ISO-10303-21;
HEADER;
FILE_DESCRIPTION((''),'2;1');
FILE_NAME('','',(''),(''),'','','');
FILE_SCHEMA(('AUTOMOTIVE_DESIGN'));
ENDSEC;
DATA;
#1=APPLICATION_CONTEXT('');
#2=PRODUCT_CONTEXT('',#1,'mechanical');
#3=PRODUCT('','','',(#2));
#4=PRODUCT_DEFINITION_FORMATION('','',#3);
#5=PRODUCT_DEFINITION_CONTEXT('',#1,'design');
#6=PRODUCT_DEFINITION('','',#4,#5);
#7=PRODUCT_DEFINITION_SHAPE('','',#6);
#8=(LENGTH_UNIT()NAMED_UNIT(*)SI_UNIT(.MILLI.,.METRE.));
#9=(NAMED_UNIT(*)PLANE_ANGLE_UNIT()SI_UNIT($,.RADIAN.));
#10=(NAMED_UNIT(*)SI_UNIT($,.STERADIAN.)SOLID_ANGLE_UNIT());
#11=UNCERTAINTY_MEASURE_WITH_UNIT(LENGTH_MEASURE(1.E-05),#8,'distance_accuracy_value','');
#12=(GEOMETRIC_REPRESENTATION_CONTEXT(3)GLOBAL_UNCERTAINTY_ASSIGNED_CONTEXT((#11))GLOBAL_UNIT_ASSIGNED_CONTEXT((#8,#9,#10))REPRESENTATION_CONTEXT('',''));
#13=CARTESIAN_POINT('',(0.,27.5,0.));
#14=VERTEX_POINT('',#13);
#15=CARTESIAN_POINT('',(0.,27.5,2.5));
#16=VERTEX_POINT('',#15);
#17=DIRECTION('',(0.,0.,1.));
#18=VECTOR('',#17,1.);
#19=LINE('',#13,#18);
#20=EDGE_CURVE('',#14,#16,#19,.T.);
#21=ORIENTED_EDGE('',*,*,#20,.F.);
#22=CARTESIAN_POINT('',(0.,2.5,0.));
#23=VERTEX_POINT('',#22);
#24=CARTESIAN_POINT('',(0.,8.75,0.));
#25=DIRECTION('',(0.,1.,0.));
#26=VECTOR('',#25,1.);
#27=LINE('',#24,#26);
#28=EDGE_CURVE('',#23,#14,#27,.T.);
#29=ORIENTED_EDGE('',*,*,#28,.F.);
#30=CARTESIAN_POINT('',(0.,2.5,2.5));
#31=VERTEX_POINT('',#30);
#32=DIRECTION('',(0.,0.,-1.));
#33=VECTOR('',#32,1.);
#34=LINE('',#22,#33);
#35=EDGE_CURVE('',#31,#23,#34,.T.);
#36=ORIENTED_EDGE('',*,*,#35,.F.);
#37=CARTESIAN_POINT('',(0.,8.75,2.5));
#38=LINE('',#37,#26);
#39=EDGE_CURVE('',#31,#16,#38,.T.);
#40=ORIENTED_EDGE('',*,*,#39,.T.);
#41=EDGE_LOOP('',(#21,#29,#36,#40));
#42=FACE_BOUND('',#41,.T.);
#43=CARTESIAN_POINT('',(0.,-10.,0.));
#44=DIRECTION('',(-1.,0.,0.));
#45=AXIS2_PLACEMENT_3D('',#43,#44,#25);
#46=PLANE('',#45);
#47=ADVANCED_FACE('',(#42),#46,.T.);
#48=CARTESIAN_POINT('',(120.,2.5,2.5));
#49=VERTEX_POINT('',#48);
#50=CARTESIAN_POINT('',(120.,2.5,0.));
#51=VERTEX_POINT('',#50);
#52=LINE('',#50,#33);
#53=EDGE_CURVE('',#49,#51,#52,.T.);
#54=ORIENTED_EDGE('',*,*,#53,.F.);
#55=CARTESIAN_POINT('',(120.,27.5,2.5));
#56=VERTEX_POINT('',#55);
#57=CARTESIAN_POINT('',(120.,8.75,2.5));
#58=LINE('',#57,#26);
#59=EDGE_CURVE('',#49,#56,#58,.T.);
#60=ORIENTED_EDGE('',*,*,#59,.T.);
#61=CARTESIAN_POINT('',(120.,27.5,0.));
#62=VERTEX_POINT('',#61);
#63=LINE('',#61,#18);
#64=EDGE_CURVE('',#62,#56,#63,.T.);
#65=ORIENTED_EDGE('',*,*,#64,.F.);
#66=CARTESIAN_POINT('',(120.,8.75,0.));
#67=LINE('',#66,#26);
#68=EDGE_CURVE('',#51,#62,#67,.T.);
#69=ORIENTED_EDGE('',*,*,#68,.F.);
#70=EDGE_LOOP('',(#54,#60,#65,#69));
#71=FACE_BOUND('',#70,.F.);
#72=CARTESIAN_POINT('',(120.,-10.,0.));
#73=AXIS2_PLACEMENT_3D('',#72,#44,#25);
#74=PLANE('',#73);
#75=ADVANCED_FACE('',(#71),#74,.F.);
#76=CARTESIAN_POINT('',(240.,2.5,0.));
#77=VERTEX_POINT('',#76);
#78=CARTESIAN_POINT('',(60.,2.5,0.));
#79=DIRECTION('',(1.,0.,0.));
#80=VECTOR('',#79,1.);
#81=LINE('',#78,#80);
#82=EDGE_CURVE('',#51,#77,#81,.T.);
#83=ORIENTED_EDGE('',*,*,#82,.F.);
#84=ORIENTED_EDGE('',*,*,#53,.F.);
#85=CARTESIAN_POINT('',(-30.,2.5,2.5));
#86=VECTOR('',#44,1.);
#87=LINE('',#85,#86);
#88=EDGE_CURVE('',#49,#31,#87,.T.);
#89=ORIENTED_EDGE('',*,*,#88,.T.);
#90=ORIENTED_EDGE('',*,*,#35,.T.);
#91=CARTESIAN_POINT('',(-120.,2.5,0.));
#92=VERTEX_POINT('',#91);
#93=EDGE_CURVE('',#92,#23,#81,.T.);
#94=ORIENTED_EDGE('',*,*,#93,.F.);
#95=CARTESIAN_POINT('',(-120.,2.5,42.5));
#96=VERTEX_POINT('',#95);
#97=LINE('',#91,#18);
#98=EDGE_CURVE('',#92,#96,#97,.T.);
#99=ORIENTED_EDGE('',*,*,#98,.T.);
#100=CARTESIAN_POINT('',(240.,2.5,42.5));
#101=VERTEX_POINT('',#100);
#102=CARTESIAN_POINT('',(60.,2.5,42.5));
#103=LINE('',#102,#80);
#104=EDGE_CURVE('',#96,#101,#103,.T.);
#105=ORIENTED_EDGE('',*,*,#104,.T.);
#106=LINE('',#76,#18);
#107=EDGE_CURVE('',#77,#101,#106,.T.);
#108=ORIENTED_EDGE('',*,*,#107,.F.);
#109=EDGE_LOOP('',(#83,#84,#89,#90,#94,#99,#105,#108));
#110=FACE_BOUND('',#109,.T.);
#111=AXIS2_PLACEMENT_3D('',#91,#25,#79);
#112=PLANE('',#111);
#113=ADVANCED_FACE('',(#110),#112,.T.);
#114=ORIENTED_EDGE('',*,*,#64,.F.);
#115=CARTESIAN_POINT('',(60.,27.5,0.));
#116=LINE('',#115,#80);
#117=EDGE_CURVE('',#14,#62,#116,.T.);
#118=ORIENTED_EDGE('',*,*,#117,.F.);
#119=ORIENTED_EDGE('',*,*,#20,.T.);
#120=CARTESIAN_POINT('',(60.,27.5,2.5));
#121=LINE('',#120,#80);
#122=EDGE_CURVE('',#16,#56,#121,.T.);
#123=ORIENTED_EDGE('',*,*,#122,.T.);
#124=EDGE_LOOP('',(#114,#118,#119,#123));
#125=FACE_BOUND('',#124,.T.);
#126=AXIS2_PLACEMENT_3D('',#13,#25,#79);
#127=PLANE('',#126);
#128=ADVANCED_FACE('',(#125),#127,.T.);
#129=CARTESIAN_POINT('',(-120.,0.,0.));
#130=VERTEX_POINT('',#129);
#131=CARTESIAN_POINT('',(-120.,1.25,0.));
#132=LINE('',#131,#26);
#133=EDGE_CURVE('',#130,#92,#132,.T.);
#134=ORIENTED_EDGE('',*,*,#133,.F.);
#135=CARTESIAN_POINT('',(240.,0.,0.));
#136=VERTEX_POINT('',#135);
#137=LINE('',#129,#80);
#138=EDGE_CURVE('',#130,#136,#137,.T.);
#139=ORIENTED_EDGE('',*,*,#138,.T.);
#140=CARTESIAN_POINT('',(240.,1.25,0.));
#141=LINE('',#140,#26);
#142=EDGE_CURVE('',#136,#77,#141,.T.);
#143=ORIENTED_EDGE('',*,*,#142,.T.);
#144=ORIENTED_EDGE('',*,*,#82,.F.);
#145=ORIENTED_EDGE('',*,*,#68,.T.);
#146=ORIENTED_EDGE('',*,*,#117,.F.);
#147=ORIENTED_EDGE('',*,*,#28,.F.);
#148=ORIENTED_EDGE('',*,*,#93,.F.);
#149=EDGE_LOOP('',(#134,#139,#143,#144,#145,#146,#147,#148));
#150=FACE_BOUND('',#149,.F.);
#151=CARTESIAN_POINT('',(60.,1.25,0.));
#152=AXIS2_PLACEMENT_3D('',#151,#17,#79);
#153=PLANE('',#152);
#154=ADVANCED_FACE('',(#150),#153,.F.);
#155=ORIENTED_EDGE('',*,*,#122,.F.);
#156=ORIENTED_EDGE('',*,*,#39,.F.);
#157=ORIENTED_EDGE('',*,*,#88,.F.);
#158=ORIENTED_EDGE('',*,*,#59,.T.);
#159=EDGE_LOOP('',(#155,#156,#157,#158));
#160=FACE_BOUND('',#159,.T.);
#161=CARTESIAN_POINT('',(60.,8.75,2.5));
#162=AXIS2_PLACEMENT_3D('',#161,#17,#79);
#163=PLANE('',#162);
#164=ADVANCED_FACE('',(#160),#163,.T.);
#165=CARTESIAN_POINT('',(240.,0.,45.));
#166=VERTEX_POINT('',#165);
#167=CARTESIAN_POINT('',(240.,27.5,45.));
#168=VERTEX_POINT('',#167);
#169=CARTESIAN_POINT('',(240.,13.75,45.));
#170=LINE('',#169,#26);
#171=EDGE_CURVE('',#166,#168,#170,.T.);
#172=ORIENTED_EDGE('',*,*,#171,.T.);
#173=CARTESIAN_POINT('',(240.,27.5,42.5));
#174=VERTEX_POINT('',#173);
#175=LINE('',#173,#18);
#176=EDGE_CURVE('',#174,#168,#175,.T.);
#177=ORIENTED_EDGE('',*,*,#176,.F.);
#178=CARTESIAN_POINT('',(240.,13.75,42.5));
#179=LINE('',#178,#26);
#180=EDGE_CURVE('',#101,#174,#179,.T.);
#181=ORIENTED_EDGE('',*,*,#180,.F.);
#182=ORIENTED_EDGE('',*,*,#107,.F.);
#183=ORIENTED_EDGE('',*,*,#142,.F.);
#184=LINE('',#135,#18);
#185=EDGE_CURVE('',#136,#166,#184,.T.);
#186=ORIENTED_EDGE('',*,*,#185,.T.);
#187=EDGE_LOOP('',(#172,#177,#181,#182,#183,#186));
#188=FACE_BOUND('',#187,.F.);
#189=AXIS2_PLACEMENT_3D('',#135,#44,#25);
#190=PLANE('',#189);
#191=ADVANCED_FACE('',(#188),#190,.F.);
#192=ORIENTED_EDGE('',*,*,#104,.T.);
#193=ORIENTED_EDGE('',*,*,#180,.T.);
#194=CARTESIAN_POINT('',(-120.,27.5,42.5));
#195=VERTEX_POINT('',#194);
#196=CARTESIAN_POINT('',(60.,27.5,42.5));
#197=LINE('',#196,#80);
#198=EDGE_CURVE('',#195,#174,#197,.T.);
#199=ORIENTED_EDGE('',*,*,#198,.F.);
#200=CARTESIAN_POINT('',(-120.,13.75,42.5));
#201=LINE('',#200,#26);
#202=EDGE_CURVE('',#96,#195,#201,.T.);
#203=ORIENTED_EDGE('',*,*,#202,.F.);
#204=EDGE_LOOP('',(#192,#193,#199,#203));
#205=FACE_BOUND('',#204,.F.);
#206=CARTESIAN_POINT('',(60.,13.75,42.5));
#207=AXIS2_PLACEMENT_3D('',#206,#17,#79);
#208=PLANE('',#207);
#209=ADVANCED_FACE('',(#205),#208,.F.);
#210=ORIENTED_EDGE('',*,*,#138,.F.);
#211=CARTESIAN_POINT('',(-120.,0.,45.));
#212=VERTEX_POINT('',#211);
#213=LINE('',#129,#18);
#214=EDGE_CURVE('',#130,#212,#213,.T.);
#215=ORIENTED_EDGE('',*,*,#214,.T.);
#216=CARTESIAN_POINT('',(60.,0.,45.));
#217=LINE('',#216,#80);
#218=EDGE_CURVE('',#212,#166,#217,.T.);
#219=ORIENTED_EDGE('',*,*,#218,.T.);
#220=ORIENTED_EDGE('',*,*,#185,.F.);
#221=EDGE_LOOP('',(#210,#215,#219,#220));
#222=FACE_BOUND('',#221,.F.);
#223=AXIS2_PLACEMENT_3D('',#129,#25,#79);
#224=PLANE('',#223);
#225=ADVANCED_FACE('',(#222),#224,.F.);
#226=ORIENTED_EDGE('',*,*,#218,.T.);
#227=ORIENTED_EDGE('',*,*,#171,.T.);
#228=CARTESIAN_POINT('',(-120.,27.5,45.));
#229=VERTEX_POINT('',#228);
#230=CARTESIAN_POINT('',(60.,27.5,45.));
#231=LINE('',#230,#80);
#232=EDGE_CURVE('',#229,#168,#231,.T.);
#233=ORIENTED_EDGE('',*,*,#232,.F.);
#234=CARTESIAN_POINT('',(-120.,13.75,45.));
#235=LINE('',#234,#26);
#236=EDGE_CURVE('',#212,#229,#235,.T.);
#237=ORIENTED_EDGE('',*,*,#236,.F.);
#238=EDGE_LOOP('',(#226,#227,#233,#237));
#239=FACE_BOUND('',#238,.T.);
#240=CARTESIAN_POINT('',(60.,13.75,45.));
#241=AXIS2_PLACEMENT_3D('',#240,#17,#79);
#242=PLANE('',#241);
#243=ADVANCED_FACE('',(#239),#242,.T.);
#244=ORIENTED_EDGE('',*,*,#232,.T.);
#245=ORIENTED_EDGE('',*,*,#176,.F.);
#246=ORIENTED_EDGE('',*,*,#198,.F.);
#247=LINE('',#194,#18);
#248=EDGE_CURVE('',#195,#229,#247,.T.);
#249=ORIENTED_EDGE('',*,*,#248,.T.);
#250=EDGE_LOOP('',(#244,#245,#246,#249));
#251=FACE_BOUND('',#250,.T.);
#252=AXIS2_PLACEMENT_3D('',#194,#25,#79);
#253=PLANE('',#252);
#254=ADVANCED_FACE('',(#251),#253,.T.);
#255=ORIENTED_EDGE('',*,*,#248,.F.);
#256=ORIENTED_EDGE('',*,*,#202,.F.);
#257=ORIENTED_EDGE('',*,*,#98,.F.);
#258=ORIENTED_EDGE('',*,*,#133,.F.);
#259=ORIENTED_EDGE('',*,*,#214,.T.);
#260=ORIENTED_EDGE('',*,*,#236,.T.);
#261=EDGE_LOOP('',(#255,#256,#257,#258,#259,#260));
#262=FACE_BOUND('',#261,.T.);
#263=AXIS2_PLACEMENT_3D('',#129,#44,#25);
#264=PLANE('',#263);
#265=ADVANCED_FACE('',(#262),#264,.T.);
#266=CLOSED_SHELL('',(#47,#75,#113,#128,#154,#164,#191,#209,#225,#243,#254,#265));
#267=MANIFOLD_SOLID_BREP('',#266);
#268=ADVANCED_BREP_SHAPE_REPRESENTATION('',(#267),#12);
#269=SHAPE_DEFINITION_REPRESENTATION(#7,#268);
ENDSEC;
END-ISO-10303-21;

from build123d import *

# Parameters (mm, degrees)
BOX003_W     = 139
BOX003_H     = 10
BOX003_DEPTH = 10
BOX001_W     = 360
BOX001_H     = 2.5
BOX001_DEPTH = 42.5
BOX_W        = 120
BOX_H        = 37.5
BOX_DEPTH    = 2.5
BOX002_W     = 360
BOX002_H     = 27.5
BOX002_DEPTH = 2.5


with BuildPart() as cube003:
    # Box003 → Box003 (new body)
    with BuildSketch(Plane(origin=(-10, -10, -3), x_dir=(1, 0, 0), z_dir=(0, 0, 1))):
        with Locations((69.5, 5)):
            Rectangle(BOX003_W, BOX003_H)
    extrude(amount=BOX003_DEPTH)


with BuildPart() as cube001:
    # Box001 → Box001 (new body)
    with BuildSketch(Plane(origin=(-120, 0, 0), x_dir=(1, 0, 0), z_dir=(0, 0, 1))):
        with Locations((180, 1.25)):
            Rectangle(BOX001_W, BOX001_H)
    extrude(amount=BOX001_DEPTH)


with BuildPart() as fusion:
    # Box → Box (new body)
    with BuildSketch(Plane(origin=(0, -10, 0), x_dir=(1, 0, 0), z_dir=(0, 0, 1))):
        with Locations((60, 18.75)):
            Rectangle(BOX_W, BOX_H)
    extrude(amount=BOX_DEPTH)

    # Fusion: union Cube001
    add(cube001.part)


with BuildPart() as cut:
    # Box002 → Box002 (new body)
    with BuildSketch(Plane(origin=(-120, 0, 42.5), x_dir=(1, 0, 0), z_dir=(0, 0, 1))):
        with Locations((180, 13.75)):
            Rectangle(BOX002_W, BOX002_H)
    extrude(amount=BOX002_DEPTH)

    # Fusion001: union Fusion
    add(fusion.part)

    # Cut: cut Cube003
    add(cube003.part, mode=Mode.SUBTRACT)


solid = cut.part
